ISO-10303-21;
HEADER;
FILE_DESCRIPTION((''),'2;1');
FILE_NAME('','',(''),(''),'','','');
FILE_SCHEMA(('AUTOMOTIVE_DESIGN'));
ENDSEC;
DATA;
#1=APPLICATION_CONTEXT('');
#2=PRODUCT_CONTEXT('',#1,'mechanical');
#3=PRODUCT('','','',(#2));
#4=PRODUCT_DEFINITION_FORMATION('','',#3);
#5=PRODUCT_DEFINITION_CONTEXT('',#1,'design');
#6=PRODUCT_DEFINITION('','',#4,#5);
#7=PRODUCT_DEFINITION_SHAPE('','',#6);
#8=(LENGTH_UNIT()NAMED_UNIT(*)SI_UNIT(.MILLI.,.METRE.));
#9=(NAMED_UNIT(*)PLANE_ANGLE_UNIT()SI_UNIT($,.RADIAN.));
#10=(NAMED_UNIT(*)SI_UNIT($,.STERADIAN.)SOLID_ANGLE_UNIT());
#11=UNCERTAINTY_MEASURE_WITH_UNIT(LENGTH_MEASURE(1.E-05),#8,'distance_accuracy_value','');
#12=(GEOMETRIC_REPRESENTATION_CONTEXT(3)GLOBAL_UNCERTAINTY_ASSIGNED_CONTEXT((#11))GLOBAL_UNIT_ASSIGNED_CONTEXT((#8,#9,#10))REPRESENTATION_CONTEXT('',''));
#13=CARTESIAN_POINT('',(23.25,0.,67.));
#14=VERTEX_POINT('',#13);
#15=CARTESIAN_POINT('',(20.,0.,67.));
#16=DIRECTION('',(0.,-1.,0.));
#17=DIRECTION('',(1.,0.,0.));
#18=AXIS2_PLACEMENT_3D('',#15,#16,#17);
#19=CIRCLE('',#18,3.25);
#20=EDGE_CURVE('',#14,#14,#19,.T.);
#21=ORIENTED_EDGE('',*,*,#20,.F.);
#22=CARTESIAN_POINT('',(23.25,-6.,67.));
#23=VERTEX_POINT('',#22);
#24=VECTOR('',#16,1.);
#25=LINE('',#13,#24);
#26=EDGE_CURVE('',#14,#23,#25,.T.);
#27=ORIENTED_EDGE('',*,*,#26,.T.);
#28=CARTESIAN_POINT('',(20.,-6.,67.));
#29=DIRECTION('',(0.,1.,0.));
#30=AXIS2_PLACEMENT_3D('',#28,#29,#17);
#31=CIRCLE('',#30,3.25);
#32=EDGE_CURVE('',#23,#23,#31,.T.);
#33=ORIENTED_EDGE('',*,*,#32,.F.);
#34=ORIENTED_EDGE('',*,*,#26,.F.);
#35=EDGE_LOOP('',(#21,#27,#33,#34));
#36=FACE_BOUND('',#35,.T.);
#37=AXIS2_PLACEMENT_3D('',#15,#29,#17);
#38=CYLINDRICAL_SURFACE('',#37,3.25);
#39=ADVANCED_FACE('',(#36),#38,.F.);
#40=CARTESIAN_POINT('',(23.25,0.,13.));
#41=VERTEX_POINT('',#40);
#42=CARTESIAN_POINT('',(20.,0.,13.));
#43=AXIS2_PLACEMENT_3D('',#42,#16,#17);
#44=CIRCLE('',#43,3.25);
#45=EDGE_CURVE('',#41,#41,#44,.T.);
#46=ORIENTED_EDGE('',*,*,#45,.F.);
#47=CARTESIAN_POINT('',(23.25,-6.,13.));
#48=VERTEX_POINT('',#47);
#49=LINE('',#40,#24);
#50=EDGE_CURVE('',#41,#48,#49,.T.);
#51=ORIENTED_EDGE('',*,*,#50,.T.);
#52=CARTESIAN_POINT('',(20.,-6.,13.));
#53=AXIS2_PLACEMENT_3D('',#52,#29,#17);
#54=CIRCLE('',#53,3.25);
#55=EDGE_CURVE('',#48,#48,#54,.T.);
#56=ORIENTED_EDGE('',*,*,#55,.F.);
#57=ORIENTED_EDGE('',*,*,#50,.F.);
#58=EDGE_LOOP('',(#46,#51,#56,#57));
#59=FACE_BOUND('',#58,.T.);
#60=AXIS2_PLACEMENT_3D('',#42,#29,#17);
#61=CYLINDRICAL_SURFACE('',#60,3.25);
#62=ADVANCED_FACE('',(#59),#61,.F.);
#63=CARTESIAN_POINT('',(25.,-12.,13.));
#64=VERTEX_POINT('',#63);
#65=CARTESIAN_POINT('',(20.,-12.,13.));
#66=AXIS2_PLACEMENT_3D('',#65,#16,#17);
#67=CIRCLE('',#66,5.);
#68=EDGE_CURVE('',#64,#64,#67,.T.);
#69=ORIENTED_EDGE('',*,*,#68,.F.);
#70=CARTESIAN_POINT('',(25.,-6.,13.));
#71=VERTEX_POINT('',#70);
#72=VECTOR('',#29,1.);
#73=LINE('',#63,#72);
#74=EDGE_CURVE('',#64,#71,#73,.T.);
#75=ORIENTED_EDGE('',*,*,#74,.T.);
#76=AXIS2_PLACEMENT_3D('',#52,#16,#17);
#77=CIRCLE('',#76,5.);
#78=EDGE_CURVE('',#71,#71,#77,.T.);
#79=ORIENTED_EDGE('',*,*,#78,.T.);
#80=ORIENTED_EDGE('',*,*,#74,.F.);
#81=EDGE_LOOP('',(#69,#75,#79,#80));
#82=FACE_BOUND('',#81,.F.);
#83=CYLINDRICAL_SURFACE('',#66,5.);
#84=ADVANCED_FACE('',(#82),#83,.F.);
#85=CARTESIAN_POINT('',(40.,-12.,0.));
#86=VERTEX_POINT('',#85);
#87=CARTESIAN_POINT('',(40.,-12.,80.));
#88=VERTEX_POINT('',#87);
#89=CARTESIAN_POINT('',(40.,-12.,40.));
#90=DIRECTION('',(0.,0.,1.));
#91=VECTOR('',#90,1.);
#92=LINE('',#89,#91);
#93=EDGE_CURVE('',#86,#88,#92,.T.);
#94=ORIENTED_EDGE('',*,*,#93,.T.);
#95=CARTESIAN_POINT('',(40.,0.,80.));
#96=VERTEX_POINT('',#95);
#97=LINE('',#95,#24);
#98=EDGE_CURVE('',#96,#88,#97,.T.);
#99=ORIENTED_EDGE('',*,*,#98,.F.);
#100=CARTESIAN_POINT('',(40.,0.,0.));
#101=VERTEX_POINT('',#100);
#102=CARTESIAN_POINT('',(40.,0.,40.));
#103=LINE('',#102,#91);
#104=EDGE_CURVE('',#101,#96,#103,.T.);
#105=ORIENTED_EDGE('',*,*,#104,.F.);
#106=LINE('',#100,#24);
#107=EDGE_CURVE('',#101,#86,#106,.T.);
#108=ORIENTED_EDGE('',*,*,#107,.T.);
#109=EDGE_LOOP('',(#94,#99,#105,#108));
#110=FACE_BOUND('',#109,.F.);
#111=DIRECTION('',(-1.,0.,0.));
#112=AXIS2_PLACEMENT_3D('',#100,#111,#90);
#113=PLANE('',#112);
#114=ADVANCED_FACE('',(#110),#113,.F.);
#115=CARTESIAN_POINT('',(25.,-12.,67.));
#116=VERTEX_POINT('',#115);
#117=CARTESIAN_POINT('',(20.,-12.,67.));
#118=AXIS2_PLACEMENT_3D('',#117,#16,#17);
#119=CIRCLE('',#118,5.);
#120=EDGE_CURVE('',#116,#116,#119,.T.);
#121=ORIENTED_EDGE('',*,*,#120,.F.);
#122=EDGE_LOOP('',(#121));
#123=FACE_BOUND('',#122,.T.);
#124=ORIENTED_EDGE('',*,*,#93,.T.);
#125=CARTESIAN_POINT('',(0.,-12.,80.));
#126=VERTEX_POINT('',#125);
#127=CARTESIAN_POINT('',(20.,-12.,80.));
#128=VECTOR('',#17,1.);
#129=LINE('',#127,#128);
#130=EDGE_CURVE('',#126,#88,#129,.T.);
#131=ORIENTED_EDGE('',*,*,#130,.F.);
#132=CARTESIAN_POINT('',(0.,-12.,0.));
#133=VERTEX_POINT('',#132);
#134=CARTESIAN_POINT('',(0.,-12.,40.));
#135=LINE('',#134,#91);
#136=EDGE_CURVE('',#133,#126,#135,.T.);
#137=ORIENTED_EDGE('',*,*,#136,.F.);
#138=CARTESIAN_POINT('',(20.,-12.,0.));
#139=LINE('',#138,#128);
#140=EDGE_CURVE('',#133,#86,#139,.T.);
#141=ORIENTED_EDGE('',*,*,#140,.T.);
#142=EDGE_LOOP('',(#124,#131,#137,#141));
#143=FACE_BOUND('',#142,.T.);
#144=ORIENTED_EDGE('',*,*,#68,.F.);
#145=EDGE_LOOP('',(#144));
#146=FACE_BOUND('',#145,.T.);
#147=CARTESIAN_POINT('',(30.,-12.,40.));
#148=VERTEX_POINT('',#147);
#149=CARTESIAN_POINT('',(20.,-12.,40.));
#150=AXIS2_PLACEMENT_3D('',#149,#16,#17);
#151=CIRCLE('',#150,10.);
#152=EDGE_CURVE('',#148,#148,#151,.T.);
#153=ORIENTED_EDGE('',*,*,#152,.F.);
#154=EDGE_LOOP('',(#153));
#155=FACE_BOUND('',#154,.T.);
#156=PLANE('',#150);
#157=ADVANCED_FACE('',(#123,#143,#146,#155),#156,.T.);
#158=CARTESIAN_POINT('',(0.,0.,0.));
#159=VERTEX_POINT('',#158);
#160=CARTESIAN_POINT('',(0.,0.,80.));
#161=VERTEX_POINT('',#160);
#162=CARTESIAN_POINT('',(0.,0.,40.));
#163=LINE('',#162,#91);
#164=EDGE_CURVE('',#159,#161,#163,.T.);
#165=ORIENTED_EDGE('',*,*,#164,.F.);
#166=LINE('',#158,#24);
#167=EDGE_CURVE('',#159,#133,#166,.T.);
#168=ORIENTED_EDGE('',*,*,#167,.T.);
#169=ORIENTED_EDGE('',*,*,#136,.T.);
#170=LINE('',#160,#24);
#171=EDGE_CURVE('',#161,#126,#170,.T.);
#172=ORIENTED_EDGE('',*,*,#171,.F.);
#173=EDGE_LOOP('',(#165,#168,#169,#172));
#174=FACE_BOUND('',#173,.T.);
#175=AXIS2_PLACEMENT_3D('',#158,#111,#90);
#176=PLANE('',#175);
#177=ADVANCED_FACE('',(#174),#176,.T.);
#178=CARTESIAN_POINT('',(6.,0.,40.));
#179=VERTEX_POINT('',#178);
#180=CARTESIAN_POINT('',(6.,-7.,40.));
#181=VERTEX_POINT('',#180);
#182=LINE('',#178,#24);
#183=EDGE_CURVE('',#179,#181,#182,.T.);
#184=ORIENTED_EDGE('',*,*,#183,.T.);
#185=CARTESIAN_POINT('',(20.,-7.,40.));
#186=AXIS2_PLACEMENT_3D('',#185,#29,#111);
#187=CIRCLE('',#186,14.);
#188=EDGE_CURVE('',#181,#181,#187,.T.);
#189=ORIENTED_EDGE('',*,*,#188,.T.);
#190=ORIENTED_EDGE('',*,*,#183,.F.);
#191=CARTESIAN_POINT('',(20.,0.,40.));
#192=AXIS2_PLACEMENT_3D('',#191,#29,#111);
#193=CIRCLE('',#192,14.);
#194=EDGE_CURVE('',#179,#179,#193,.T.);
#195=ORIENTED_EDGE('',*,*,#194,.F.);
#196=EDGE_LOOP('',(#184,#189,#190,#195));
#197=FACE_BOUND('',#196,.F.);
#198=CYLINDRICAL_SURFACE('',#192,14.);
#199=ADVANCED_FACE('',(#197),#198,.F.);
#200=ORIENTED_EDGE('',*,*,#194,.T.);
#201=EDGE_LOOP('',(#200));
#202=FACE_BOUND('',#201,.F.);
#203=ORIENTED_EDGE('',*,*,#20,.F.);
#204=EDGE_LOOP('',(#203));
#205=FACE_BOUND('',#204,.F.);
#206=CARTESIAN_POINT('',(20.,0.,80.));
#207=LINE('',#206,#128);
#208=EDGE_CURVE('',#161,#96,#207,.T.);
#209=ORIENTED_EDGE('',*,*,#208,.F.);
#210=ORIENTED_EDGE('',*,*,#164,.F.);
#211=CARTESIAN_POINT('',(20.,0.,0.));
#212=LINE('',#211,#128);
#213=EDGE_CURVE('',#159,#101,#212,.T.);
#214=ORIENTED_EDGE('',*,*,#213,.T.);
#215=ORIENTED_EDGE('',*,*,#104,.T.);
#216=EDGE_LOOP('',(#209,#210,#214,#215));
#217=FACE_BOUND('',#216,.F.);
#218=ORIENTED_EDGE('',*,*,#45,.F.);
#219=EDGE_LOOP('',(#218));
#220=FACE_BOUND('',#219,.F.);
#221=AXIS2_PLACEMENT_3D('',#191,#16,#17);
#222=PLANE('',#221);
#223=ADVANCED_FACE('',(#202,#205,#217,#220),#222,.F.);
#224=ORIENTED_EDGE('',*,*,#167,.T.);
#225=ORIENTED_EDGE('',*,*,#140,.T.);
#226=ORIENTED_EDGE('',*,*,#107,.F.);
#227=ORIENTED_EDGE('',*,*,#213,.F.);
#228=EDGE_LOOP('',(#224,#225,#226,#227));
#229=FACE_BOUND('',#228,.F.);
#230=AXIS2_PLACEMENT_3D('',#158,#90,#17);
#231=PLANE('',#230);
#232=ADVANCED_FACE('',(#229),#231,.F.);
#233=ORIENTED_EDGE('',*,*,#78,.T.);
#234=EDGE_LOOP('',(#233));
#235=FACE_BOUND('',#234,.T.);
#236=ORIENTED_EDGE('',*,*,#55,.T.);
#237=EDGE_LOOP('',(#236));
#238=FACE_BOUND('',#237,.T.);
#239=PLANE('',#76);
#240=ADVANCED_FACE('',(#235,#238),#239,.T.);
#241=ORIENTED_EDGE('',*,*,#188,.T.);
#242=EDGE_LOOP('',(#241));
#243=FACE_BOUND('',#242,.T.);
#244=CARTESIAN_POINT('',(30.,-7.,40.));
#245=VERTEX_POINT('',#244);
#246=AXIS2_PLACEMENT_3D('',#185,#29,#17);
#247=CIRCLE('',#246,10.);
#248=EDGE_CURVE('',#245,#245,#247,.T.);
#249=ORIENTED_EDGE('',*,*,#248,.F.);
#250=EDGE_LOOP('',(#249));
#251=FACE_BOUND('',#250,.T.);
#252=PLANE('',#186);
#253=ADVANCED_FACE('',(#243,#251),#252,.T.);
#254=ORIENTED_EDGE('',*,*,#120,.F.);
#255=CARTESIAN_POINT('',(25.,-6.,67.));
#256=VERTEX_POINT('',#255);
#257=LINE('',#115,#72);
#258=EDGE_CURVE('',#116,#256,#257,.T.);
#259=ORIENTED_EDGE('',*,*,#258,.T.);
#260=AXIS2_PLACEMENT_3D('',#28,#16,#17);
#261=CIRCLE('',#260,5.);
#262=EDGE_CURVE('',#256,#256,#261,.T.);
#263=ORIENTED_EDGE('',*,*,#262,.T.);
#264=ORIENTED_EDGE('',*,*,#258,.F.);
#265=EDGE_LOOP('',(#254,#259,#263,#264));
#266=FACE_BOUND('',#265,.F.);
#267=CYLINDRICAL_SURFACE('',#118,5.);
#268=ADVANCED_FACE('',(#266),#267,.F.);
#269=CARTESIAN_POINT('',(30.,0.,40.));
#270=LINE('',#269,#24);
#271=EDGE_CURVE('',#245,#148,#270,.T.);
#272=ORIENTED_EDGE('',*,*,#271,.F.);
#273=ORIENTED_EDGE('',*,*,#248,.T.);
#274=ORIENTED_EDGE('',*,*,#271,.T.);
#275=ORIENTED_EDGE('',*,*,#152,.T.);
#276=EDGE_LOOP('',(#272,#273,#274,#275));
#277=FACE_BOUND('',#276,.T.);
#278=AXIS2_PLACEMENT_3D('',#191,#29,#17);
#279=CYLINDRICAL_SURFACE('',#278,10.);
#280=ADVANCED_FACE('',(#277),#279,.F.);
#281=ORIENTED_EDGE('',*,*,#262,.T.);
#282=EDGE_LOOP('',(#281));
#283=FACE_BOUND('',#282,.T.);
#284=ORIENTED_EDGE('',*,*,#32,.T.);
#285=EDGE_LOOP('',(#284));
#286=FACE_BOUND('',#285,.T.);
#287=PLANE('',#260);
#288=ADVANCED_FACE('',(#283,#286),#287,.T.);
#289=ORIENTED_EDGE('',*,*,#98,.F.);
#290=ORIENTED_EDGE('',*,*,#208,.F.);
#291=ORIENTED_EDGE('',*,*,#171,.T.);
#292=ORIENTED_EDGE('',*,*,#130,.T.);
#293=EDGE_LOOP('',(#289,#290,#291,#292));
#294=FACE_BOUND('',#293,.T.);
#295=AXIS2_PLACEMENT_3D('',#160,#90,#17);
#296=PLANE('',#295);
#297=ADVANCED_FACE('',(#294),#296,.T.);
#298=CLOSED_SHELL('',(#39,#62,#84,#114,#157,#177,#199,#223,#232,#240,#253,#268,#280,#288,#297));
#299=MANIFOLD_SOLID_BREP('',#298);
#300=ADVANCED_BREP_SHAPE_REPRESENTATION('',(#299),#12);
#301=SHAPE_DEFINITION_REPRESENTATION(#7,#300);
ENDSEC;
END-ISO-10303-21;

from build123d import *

# Parameters (mm, degrees)
F0_W     = 40
F0_H     = 80
F0_R     = 3.25
F0_R_2   = 10
F1_DEPTH = 12
F2_R     = 5
F3_DEPTH = 6
F4_R     = 14
F5_DEPTH = 7


with BuildPart() as f1:
    # F0 (on Front) → F1 (new body)
    with BuildSketch(Plane.XZ):
        with Locations((20, 40)):
            Rectangle(F0_W, F0_H)
        with Locations((20, 13)):
            Circle(F0_R, mode=Mode.SUBTRACT)
        with Locations((20, 40)):
            Circle(F0_R_2, mode=Mode.SUBTRACT)
        with Locations((20, 67)):
            Circle(F0_R, mode=Mode.SUBTRACT)
    extrude(amount=F1_DEPTH)

    # F2 (on face) → F3 (cut)
    with BuildSketch(Plane.XZ.offset(12)):
        with Locations((20, 67)):
            Circle(F2_R)
        with Locations((20, 13)):
            Circle(F2_R)
    extrude(amount=-F3_DEPTH, mode=Mode.SUBTRACT)

    # F4 (on face) → F5 (cut)
    with BuildSketch(Plane(origin=(0, 0, 0), x_dir=(-1, 0, 0), z_dir=(0, 1, 0))):
        with Locations((-20, 40)):
            Circle(F4_R)
    extrude(amount=-F5_DEPTH, mode=Mode.SUBTRACT)


solid = f1.part
